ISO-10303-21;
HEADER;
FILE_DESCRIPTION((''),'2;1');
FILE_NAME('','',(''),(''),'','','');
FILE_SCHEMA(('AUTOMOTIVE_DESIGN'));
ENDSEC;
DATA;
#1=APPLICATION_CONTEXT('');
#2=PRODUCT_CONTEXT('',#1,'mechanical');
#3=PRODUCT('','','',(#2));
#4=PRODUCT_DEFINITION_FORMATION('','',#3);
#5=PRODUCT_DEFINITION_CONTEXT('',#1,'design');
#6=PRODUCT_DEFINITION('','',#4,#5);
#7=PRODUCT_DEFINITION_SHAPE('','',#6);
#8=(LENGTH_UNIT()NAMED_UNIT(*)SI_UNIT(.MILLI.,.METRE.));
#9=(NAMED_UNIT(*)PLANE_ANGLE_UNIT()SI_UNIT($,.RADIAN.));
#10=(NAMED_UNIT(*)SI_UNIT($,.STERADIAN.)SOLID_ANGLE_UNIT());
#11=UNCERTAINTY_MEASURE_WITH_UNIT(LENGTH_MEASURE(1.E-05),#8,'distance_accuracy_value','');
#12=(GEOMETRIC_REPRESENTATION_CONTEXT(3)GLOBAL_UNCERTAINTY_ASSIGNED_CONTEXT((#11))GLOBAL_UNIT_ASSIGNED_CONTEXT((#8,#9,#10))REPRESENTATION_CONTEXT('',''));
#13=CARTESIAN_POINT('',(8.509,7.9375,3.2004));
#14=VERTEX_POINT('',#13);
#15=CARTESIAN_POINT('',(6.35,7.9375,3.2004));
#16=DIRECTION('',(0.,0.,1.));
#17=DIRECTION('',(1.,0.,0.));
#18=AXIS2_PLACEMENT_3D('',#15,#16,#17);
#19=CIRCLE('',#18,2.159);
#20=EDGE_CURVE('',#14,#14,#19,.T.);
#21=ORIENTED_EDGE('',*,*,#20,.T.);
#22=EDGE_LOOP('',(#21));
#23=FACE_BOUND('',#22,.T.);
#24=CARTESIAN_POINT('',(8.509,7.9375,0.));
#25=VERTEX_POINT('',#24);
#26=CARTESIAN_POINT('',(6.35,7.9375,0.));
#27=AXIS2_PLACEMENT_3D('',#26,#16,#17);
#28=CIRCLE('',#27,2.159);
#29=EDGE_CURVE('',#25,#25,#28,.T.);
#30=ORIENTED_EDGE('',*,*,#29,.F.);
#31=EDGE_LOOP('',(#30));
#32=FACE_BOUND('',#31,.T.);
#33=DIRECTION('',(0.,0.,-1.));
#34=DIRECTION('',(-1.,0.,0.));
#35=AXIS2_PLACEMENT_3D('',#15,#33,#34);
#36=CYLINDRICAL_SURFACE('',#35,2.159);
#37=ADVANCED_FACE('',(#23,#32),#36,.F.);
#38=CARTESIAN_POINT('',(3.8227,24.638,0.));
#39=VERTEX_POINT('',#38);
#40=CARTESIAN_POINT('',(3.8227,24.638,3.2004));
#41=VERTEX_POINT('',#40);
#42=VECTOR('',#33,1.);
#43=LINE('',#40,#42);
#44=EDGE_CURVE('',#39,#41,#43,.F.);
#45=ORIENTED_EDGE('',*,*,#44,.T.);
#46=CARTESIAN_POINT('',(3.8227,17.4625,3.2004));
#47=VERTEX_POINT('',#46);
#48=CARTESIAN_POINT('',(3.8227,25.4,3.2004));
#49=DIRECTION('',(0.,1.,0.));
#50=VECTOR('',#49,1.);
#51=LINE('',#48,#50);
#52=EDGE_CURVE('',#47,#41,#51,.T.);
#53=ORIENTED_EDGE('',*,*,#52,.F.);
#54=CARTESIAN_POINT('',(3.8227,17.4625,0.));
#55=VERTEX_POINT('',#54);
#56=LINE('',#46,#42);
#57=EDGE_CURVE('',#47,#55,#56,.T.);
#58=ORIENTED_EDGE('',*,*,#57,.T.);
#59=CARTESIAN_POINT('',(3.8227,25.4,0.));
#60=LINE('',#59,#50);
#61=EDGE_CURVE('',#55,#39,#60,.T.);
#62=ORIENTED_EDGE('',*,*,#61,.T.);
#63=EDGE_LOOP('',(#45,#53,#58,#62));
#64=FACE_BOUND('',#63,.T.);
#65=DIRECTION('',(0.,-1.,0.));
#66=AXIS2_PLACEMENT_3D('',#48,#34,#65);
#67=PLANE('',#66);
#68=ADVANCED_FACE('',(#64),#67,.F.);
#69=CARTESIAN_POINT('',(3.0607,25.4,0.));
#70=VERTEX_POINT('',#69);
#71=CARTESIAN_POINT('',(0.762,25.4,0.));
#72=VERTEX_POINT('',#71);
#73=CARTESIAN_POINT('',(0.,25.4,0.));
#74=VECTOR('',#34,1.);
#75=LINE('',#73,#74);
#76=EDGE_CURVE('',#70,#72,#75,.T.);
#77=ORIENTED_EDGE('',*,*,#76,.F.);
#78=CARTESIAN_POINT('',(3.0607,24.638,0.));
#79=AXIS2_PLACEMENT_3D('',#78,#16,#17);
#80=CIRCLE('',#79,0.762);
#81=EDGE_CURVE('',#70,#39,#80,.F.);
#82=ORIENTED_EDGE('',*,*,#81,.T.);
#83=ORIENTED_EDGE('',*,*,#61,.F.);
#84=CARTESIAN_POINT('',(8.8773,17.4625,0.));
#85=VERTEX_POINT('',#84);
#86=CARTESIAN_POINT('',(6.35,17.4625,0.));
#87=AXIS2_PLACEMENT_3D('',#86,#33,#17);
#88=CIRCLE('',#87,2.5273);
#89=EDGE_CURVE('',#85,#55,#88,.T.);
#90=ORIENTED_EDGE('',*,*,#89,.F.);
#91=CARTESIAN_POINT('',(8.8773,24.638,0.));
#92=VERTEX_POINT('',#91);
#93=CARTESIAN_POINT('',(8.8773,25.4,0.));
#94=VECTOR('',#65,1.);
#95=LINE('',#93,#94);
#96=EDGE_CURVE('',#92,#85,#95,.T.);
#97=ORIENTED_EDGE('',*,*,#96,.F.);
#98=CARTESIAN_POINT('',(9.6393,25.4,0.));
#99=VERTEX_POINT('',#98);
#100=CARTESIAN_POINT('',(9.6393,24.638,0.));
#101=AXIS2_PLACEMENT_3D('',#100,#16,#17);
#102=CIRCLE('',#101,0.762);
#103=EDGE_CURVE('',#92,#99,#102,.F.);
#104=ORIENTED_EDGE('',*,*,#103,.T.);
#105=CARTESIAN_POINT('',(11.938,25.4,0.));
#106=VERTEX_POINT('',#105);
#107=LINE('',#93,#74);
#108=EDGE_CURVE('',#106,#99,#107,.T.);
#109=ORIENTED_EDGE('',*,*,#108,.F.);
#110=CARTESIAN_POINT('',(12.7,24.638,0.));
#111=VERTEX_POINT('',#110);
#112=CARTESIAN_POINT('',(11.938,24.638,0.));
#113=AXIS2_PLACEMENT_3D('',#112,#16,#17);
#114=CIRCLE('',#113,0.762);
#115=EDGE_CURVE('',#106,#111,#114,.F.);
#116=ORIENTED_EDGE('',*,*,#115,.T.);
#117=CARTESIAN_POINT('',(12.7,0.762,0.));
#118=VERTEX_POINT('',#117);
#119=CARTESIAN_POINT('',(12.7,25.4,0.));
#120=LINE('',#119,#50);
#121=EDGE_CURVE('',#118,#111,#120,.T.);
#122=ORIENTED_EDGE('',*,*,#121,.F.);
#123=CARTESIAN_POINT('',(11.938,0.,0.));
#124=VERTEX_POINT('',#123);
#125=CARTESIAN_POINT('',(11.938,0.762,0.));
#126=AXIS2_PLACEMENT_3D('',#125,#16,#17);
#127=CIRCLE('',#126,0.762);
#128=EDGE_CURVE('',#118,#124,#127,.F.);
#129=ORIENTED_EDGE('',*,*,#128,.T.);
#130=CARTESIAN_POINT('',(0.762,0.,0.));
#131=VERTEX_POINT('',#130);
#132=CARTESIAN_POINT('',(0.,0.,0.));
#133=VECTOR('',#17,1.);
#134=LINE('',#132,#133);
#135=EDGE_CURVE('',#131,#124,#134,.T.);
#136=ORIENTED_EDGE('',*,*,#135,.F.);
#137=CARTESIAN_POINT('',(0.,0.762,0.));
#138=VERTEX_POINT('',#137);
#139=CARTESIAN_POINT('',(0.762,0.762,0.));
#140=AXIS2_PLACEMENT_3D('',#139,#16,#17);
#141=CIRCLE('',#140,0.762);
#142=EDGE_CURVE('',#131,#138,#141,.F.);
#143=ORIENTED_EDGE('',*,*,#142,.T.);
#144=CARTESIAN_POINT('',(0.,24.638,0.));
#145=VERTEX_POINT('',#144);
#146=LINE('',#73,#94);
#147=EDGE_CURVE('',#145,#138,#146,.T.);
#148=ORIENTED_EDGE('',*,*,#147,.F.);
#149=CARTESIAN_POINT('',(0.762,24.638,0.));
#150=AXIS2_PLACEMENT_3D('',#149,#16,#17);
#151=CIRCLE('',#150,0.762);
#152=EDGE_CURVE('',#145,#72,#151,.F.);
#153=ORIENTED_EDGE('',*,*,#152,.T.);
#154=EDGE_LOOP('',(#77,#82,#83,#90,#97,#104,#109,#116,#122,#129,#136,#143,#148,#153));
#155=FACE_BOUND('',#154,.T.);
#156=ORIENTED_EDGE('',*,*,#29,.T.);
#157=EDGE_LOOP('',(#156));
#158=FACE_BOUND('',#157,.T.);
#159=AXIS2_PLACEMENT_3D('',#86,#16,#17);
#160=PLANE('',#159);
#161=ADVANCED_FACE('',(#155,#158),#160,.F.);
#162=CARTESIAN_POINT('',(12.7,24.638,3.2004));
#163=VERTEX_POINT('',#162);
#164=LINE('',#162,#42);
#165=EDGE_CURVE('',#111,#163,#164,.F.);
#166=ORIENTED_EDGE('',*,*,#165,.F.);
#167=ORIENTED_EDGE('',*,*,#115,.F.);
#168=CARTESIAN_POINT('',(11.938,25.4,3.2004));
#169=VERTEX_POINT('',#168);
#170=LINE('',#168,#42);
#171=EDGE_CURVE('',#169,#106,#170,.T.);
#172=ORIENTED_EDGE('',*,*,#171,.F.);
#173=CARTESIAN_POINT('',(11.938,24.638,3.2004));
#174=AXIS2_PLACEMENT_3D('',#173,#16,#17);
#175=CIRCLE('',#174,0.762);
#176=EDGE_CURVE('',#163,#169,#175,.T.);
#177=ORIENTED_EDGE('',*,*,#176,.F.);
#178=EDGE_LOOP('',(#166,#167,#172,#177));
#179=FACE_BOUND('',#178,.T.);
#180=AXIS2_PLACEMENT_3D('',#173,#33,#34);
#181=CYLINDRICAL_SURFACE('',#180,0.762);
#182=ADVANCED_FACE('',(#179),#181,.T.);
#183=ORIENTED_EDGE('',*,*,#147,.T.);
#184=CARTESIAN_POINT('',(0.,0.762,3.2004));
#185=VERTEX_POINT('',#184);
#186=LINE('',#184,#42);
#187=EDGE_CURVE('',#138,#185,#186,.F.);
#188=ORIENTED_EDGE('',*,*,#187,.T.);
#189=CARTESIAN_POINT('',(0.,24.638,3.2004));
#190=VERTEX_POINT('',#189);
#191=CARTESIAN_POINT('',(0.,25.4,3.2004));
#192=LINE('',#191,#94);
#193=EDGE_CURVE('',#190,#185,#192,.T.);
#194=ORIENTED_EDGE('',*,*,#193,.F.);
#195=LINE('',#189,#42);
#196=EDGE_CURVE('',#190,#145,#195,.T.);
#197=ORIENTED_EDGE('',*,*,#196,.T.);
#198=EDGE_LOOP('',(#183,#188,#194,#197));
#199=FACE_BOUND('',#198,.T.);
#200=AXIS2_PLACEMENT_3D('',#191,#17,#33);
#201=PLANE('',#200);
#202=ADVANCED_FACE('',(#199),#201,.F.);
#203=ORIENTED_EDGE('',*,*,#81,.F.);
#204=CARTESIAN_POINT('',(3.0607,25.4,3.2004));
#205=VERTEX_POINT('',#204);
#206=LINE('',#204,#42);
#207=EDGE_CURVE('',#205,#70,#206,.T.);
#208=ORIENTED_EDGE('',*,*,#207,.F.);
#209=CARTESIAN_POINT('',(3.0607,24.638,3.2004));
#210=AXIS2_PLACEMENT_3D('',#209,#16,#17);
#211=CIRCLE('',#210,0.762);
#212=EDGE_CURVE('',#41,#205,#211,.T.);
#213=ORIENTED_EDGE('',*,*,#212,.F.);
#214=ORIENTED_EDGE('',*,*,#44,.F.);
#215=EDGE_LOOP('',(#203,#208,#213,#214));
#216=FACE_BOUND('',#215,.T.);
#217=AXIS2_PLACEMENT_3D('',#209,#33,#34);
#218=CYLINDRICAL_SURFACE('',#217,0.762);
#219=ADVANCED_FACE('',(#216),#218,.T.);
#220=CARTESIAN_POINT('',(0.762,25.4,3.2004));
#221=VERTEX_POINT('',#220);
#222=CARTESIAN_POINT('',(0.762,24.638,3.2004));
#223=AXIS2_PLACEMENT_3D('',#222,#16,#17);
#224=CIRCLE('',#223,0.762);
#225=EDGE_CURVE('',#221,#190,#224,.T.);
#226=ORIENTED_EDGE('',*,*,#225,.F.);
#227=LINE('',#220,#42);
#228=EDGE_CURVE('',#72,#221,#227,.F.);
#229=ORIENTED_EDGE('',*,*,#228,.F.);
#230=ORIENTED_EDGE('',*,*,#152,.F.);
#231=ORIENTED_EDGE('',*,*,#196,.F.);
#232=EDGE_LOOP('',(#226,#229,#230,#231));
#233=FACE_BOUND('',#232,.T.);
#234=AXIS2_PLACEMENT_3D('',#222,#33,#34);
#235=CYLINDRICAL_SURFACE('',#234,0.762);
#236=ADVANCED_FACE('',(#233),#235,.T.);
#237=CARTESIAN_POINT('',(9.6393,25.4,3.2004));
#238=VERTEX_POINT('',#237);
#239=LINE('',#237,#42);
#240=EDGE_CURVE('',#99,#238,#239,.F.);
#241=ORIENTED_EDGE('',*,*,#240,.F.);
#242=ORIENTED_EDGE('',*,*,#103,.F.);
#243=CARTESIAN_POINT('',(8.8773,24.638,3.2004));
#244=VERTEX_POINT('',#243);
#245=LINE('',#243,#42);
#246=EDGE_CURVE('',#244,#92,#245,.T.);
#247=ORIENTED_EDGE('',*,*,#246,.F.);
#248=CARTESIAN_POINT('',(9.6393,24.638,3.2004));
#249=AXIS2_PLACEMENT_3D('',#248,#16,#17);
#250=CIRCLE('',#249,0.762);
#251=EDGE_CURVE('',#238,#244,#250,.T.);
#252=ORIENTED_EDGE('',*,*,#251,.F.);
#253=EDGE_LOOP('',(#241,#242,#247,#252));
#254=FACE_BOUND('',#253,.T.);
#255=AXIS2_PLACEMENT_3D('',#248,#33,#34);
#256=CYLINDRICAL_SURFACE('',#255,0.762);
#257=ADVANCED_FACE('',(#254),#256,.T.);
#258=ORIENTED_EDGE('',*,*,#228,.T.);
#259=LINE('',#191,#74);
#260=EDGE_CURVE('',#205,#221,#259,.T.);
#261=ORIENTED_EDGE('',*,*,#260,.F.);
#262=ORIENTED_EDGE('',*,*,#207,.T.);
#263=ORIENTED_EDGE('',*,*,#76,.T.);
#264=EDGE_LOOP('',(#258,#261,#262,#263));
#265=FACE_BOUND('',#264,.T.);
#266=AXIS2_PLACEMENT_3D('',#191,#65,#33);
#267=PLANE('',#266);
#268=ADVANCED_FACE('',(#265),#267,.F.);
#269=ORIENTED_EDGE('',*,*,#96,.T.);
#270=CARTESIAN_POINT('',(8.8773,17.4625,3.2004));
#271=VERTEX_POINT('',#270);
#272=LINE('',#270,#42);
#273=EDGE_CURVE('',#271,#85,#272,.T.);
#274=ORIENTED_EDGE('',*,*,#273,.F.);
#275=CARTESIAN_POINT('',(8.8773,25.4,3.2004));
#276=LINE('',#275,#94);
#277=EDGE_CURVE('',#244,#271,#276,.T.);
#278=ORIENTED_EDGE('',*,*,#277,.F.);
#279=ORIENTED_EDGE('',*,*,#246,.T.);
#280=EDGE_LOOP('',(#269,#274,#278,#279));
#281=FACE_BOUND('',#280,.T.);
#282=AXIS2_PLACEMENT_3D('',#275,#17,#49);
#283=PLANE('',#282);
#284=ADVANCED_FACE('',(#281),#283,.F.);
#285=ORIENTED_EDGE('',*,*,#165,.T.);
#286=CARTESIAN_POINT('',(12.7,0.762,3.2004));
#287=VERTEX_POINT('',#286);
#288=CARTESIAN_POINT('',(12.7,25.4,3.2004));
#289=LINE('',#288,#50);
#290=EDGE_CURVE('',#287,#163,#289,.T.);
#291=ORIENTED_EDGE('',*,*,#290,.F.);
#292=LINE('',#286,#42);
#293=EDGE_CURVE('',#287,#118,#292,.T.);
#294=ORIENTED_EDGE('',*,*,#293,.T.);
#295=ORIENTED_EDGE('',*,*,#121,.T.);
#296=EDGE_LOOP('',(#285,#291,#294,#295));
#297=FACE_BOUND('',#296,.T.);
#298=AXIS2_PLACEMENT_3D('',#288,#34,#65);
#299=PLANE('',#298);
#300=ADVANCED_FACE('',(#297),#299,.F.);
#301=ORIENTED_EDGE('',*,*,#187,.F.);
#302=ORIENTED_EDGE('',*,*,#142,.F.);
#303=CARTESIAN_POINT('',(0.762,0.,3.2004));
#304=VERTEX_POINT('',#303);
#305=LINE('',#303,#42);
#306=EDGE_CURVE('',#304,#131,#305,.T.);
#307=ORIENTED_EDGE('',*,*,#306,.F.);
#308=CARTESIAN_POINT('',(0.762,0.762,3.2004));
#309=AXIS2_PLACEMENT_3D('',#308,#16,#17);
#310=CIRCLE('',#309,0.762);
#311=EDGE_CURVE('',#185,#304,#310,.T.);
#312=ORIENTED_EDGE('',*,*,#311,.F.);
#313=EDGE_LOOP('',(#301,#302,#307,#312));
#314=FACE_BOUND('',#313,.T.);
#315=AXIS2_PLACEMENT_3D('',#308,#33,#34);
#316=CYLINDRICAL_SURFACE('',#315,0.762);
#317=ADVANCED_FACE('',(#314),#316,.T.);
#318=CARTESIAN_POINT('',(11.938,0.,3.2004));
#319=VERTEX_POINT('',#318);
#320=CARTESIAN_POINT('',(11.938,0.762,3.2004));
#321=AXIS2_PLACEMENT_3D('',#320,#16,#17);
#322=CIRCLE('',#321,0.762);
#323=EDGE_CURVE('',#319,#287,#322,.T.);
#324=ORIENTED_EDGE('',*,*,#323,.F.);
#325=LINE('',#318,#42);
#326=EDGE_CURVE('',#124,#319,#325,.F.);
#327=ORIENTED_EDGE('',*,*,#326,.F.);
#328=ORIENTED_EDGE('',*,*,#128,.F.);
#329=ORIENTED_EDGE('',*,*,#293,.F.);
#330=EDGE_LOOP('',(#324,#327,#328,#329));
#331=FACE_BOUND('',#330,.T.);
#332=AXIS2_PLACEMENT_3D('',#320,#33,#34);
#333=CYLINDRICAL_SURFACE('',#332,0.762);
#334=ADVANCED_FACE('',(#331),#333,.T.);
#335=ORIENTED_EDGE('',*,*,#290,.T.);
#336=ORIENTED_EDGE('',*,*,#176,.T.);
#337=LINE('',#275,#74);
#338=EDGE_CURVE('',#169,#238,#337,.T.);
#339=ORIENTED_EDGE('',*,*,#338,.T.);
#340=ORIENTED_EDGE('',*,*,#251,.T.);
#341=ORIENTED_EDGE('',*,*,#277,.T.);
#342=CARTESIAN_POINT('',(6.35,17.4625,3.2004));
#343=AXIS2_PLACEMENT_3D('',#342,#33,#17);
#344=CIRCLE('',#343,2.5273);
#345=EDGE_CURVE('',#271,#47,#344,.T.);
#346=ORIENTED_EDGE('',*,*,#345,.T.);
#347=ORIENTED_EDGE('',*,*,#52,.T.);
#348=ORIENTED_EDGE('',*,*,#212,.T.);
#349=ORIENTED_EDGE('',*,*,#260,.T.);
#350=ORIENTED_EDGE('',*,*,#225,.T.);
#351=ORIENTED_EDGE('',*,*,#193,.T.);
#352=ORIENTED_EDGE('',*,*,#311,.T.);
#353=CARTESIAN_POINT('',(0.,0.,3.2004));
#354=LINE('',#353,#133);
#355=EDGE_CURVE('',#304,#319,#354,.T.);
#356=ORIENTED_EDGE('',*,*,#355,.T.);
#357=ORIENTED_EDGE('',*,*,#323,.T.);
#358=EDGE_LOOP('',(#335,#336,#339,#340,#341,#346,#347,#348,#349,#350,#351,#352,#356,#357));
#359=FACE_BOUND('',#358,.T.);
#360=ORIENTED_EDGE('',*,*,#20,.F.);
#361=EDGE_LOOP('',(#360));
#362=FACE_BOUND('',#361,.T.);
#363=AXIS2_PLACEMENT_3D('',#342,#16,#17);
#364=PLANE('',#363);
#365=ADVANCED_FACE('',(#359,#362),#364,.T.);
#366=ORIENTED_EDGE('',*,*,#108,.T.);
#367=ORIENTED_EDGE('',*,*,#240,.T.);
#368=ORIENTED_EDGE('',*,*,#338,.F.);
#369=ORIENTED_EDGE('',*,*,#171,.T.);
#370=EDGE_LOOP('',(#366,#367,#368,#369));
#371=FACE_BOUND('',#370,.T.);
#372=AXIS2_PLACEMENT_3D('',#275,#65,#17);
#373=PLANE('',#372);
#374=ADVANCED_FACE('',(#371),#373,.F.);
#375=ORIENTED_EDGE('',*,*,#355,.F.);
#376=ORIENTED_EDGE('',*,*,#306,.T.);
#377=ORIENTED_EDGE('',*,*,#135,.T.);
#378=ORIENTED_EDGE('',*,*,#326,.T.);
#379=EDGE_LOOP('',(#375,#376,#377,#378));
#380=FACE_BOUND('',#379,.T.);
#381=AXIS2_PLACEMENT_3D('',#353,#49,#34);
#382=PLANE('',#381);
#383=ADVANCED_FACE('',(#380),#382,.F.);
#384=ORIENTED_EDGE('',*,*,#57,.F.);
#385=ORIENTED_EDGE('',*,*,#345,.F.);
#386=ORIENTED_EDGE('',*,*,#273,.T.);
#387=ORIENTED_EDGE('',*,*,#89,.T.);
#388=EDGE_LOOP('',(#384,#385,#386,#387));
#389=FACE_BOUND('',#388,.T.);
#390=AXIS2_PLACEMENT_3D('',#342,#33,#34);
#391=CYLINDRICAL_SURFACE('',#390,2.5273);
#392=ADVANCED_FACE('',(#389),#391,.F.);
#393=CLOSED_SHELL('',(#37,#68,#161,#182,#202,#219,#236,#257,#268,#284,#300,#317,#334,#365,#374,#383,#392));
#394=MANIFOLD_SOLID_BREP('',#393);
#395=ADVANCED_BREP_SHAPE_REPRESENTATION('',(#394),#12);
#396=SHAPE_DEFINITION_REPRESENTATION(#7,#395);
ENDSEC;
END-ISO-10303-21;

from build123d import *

# Parameters (mm, degrees)
SKETCH1_R           = 2.159
BOSS_EXTRUDE1_DEPTH = 3.2004
FILLET1_R           = 0.762


with BuildPart() as part:
    # Sketch1 → Boss-Extrude1 (new body)
    with BuildSketch(Plane.XY):
        with BuildLine():
            Line((0, 25.4), (0, 0))
            Line((0, 0), (12.7, 0))
            Line((12.7, 0), (12.7, 25.4))
            Line((12.7, 25.4), (8.8773, 25.4))
            Line((8.8773, 25.4), (8.8773, 17.4625))
            ThreePointArc((8.8773, 17.4625), (6.35, 14.9352), (3.8227, 17.4625))
            Line((3.8227, 17.4625), (3.8227, 25.4))
            Line((3.8227, 25.4), (0, 25.4))
        make_face()
        with Locations((6.35, 7.9375)):
            Circle(SKETCH1_R, mode=Mode.SUBTRACT)
    extrude(amount=BOSS_EXTRUDE1_DEPTH)

    # Fillet1
    fillet1_edges = [part.edges().sort_by_distance(p)[0] for p in [
        (3.8227, 25.4, 1.6002),
        (8.8773, 25.4, 1.6002),
        (12.7, 25.4, 1.6002),
        (12.7, 0, 1.6002),
        (0, 0, 1.6002),
        (0, 25.4, 1.6002),
    ]]
    fillet(fillet1_edges, radius=FILLET1_R)


solid = part.part
